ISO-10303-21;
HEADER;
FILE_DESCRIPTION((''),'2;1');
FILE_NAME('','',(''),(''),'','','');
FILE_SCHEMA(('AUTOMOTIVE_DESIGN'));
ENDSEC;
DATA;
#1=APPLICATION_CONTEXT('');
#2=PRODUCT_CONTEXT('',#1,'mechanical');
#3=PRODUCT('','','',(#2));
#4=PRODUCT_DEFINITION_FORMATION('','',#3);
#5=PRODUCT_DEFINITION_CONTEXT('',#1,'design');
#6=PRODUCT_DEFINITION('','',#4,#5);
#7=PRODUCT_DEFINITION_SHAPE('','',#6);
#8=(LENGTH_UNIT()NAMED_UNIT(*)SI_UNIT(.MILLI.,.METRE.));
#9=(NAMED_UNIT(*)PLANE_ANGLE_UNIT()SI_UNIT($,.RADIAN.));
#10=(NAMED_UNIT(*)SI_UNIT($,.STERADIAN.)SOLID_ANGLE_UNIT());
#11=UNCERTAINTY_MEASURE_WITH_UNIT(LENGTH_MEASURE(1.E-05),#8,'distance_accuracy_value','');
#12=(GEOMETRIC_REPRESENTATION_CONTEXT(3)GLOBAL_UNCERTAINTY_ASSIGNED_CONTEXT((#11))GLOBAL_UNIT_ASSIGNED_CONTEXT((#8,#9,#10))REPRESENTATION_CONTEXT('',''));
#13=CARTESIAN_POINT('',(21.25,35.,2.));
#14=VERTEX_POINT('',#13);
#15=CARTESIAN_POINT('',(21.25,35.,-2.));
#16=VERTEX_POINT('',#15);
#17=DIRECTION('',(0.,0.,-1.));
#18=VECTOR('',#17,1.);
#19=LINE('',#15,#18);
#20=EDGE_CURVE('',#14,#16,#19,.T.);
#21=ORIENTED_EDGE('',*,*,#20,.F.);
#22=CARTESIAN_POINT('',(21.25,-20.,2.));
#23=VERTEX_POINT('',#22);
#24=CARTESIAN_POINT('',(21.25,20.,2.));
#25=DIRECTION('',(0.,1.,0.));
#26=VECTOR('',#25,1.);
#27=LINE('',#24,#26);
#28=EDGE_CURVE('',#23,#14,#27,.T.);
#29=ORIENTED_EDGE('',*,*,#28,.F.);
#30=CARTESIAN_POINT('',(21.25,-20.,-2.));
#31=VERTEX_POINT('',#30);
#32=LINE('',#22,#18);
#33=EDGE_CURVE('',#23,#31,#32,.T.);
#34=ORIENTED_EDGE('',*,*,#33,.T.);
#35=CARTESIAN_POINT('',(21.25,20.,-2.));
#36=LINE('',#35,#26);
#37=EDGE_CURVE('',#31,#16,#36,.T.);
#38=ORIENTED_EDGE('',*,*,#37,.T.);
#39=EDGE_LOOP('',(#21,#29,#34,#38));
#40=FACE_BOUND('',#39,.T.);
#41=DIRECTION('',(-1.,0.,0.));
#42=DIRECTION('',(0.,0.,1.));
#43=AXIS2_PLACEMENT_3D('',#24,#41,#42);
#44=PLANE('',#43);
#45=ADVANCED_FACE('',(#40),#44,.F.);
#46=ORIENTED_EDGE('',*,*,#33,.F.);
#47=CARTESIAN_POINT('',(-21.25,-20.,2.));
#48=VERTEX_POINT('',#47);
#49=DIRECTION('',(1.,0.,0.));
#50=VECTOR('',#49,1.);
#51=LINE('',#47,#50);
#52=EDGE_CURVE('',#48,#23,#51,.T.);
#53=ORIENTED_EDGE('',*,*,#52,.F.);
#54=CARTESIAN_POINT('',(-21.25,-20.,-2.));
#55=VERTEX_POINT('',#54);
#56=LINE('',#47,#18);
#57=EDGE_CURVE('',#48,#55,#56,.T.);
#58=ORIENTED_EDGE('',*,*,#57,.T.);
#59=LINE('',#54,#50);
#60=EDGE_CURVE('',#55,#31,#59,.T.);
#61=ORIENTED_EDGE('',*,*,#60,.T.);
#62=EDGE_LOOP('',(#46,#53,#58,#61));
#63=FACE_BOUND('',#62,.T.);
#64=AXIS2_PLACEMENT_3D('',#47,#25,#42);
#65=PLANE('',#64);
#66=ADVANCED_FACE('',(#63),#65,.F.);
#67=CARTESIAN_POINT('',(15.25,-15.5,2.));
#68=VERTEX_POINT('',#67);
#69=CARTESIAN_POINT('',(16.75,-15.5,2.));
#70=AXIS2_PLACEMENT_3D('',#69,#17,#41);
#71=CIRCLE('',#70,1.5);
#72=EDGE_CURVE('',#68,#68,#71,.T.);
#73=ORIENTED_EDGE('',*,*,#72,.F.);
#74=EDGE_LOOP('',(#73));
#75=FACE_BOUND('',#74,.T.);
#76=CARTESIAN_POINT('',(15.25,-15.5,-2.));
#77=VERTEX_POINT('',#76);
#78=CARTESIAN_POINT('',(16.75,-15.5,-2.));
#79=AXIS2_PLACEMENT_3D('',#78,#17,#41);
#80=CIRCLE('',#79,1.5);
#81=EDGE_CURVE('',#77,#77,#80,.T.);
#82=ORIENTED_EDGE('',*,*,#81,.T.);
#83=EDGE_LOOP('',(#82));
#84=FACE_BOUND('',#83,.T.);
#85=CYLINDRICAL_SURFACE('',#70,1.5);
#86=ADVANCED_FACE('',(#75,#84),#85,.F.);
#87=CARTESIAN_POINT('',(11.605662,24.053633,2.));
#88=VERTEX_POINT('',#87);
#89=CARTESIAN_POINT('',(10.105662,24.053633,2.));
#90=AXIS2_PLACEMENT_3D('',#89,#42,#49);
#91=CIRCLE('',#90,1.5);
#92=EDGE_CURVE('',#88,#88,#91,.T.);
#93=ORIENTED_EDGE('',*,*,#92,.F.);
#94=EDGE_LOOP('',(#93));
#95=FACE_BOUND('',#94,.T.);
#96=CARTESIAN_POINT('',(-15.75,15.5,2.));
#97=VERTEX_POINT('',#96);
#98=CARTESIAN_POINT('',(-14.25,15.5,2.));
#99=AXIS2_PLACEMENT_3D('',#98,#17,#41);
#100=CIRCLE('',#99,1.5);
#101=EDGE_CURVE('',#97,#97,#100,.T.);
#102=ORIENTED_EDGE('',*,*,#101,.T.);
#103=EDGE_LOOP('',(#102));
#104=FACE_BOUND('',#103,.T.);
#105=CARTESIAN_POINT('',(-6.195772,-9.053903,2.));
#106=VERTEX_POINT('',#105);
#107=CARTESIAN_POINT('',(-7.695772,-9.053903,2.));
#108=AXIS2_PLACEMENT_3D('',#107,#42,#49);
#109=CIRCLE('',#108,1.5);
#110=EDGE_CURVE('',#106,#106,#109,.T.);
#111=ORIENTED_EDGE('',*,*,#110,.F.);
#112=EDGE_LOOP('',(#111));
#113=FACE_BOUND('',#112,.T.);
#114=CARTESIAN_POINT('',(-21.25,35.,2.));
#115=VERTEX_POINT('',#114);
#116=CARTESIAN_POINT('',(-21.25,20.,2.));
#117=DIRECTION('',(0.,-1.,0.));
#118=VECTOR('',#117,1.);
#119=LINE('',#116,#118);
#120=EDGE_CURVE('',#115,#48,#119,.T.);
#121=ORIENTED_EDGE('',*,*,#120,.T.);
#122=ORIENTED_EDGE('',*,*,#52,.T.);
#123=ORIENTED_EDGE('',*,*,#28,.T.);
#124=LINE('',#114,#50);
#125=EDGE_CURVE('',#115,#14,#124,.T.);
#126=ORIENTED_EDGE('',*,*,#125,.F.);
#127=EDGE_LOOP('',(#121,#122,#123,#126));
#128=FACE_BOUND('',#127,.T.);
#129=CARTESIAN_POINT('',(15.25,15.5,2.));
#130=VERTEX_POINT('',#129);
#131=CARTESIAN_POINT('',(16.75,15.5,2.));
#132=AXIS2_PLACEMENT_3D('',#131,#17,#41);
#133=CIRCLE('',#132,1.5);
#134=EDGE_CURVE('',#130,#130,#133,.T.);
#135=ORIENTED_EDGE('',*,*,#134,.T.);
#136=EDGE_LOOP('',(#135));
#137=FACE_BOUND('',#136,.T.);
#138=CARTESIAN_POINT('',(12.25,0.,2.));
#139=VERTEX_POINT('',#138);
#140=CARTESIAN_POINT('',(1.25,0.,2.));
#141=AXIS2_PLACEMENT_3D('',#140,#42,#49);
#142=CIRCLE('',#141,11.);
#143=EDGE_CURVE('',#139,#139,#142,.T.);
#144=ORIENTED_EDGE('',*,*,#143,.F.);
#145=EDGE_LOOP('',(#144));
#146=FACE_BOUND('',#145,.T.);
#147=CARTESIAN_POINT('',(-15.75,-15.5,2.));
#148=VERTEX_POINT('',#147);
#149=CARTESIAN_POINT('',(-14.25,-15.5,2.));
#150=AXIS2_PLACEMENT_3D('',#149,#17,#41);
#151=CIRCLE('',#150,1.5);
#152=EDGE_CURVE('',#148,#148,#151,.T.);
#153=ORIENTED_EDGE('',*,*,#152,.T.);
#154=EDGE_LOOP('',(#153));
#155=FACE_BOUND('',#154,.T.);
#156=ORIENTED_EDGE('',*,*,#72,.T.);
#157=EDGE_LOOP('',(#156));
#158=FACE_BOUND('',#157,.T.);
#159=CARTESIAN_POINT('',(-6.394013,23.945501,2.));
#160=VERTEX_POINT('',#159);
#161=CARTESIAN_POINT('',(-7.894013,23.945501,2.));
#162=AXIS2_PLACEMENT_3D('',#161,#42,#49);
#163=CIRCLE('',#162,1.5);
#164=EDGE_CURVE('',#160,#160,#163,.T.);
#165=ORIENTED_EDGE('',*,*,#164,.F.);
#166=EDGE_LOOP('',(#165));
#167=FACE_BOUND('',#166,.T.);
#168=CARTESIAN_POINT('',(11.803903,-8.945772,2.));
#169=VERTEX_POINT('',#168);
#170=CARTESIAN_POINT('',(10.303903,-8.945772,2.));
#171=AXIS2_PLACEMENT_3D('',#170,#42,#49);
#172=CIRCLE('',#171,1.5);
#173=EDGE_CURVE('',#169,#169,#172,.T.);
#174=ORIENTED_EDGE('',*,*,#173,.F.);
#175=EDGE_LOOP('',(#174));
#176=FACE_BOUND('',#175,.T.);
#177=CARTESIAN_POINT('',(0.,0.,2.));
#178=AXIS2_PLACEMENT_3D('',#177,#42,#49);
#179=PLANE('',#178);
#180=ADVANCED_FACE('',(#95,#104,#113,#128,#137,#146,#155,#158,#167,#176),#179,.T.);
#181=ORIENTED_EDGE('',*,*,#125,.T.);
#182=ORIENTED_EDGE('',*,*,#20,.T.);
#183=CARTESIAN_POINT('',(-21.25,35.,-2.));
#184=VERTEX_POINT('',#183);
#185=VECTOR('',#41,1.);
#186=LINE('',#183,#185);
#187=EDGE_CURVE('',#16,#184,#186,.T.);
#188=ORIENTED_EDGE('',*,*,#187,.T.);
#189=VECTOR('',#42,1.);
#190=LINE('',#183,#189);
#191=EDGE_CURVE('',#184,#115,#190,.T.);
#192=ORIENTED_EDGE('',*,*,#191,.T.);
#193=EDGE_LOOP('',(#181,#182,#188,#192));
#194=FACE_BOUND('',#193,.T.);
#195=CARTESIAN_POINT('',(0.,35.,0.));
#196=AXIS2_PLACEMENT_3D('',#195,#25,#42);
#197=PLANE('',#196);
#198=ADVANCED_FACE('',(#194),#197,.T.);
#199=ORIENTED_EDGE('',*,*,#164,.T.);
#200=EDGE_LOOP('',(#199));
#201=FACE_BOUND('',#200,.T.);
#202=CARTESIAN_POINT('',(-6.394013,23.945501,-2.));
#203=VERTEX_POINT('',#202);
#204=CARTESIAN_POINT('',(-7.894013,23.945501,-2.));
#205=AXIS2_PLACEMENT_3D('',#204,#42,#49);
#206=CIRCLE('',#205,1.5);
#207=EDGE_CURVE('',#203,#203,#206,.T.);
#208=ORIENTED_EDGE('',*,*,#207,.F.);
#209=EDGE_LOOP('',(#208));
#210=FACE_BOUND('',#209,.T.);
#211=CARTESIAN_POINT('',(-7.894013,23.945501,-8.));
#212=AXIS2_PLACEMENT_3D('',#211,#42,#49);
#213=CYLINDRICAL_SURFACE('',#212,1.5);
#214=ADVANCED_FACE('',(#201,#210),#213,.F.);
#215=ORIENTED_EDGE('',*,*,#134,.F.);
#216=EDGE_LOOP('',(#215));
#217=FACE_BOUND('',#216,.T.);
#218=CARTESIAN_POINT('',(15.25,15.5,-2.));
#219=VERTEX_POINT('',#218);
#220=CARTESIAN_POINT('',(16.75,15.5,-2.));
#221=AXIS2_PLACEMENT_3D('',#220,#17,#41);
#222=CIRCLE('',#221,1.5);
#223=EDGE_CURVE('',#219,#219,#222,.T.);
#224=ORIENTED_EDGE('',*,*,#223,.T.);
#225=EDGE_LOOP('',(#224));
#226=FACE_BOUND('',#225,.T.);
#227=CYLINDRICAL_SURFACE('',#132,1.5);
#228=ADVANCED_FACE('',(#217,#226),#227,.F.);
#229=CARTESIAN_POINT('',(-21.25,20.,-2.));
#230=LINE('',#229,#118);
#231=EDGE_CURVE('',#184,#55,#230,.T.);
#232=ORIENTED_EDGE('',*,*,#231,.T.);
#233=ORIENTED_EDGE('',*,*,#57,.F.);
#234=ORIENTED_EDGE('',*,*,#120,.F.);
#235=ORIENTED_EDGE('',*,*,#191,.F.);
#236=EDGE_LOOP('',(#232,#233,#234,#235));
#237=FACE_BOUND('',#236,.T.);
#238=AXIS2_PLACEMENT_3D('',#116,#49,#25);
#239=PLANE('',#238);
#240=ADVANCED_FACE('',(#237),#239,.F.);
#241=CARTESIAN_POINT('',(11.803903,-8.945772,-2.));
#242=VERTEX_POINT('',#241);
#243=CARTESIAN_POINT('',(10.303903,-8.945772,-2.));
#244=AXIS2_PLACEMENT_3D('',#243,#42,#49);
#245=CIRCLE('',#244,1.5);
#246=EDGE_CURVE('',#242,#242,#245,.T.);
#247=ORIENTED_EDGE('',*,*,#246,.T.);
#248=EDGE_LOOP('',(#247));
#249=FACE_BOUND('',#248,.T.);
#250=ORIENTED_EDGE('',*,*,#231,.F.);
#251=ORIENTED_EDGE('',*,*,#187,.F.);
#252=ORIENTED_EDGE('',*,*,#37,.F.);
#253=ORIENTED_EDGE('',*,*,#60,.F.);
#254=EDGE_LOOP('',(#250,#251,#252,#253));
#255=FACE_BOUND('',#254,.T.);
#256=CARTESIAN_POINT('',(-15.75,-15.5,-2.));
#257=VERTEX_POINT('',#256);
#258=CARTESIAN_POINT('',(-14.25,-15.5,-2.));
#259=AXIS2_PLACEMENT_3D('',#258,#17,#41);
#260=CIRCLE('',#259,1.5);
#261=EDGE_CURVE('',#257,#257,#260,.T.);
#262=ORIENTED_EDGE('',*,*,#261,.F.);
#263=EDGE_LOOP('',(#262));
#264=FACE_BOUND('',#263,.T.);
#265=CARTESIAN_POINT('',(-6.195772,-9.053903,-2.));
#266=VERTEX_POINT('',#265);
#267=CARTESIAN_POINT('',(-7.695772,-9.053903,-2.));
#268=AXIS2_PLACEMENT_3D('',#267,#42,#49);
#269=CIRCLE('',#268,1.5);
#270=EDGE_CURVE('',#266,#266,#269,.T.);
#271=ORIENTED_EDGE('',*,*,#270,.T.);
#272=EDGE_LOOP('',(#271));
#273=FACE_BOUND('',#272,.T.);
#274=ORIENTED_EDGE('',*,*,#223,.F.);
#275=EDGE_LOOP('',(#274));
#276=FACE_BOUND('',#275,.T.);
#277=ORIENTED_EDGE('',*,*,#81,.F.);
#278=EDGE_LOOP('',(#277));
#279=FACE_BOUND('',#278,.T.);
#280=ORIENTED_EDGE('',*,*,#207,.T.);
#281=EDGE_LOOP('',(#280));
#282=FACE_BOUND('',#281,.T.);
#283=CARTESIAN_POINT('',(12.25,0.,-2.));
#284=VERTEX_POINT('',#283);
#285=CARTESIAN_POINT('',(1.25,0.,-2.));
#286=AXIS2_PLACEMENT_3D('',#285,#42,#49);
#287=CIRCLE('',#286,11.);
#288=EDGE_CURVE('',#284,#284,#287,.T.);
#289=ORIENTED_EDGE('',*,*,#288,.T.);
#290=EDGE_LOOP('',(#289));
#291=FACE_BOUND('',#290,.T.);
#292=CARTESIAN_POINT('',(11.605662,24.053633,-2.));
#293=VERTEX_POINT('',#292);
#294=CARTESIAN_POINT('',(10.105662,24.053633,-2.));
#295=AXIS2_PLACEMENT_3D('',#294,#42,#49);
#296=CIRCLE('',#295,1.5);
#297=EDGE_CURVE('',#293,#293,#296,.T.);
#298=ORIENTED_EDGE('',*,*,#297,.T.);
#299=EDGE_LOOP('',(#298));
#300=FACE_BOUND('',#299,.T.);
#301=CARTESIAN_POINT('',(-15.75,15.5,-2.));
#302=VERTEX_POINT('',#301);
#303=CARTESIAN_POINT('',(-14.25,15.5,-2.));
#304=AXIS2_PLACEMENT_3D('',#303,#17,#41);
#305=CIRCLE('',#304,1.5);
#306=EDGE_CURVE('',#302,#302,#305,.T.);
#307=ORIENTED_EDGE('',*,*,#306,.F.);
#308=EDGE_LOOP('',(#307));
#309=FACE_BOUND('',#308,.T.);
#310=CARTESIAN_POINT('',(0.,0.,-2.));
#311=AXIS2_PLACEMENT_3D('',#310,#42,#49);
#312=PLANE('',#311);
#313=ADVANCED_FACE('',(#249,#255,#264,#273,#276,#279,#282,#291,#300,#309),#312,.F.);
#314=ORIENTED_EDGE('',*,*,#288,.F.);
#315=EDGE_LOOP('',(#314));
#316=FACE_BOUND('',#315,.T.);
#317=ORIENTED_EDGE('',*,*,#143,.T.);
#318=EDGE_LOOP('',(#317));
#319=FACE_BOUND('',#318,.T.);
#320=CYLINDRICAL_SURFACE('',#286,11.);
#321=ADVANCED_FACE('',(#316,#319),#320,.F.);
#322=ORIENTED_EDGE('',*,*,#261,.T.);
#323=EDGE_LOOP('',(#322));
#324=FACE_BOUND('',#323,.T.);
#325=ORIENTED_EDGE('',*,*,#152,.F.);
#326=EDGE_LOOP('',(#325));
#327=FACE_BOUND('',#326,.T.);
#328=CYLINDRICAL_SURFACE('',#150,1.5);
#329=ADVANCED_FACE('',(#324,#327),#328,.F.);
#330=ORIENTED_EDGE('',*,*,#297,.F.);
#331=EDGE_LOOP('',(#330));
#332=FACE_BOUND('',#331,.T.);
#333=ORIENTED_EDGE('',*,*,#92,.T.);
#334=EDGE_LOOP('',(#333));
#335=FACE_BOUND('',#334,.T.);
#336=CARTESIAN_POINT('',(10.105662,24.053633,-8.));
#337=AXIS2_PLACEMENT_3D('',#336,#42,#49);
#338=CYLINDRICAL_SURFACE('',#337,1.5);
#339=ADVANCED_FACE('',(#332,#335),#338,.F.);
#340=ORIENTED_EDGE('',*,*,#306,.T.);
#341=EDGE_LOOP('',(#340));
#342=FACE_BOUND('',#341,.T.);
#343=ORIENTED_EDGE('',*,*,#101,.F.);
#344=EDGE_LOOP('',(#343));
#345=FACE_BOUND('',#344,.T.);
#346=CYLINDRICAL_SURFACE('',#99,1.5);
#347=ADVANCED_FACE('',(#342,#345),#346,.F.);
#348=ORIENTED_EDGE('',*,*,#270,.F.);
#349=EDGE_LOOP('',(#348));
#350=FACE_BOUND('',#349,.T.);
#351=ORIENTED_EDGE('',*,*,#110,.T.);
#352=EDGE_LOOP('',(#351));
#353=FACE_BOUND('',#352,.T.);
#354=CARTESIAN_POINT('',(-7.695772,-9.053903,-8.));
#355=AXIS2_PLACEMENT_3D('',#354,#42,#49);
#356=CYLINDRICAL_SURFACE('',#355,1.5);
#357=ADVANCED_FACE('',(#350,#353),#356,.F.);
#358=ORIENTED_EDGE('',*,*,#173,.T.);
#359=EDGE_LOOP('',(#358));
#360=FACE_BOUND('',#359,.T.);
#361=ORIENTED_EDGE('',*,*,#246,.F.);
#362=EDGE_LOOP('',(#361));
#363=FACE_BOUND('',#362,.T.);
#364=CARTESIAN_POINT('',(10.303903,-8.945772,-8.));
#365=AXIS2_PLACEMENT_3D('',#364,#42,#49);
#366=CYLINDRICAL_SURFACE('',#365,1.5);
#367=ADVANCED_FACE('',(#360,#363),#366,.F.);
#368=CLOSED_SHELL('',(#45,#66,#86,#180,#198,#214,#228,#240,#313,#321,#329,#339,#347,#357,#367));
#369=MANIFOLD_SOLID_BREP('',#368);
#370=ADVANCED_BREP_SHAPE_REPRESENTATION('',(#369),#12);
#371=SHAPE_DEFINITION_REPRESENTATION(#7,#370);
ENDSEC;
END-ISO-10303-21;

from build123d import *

# Parameters (mm, degrees)
SKETCH1_W           = 42.5
SKETCH1_H           = 40
BOSS_EXTRUDE1_DEPTH = 2
SKETCH2_R           = 1.5
CUT_EXTRUDE1_DEPTH  = 4
SKETCH3_R           = 11
CUT_EXTRUDE2_DEPTH  = 4
SKETCH4_W           = 42.5
SKETCH4_H           = 4
BOSS_EXTRUDE2_DEPTH = 15
SKETCH7_R           = 1.5
CUT_EXTRUDE3_DEPTH  = 10


with BuildPart() as part:
    # Sketch1 → Boss-Extrude1 (new, symmetric)
    with BuildSketch(Plane.XY):
        Rectangle(SKETCH1_W, SKETCH1_H)
    extrude(amount=BOSS_EXTRUDE1_DEPTH, both=True)

    # Sketch2 → Cut-Extrude1 (cut)
    with BuildSketch(Plane(origin=(0, 0, -2), x_dir=(-1, 0, 0), z_dir=(0, 0, -1))):
        with Locations((-16.75, 15.5)):
            Circle(SKETCH2_R)
        with Locations((14.25, 15.5)):
            Circle(SKETCH2_R)
        with Locations((14.25, -15.5)):
            Circle(SKETCH2_R)
        with Locations((-16.75, -15.5)):
            Circle(SKETCH2_R)
    extrude(amount=-CUT_EXTRUDE1_DEPTH, mode=Mode.SUBTRACT)

    # Sketch3 → Cut-Extrude2 (cut)
    with BuildSketch(Plane.XY.offset(2)):
        with Locations((1.25, 0)):
            Circle(SKETCH3_R)
    extrude(amount=-CUT_EXTRUDE2_DEPTH, mode=Mode.SUBTRACT)

    # Sketch4 → Boss-Extrude2 (add)
    with BuildSketch(Plane(origin=(0, 20, 0), x_dir=(1, 0, 0), z_dir=(0, 1, 0))):
        Rectangle(SKETCH4_W, SKETCH4_H)
    extrude(amount=BOSS_EXTRUDE2_DEPTH)

    # Sketch7 → Cut-Extrude3 (cut)
    with BuildSketch(Plane.XY.offset(2)):
        with Locations((-7.894013049, 23.945501151)):
            Circle(SKETCH7_R)
        with Locations((10.105662158, 24.053632735)):
            Circle(SKETCH7_R)
        with Locations((10.303903396, -8.945771811)):
            Circle(SKETCH7_R)
        with Locations((-7.695771811, -9.053903396)):
            Circle(SKETCH7_R)
    extrude(amount=-CUT_EXTRUDE3_DEPTH, mode=Mode.SUBTRACT)


solid = part.part
